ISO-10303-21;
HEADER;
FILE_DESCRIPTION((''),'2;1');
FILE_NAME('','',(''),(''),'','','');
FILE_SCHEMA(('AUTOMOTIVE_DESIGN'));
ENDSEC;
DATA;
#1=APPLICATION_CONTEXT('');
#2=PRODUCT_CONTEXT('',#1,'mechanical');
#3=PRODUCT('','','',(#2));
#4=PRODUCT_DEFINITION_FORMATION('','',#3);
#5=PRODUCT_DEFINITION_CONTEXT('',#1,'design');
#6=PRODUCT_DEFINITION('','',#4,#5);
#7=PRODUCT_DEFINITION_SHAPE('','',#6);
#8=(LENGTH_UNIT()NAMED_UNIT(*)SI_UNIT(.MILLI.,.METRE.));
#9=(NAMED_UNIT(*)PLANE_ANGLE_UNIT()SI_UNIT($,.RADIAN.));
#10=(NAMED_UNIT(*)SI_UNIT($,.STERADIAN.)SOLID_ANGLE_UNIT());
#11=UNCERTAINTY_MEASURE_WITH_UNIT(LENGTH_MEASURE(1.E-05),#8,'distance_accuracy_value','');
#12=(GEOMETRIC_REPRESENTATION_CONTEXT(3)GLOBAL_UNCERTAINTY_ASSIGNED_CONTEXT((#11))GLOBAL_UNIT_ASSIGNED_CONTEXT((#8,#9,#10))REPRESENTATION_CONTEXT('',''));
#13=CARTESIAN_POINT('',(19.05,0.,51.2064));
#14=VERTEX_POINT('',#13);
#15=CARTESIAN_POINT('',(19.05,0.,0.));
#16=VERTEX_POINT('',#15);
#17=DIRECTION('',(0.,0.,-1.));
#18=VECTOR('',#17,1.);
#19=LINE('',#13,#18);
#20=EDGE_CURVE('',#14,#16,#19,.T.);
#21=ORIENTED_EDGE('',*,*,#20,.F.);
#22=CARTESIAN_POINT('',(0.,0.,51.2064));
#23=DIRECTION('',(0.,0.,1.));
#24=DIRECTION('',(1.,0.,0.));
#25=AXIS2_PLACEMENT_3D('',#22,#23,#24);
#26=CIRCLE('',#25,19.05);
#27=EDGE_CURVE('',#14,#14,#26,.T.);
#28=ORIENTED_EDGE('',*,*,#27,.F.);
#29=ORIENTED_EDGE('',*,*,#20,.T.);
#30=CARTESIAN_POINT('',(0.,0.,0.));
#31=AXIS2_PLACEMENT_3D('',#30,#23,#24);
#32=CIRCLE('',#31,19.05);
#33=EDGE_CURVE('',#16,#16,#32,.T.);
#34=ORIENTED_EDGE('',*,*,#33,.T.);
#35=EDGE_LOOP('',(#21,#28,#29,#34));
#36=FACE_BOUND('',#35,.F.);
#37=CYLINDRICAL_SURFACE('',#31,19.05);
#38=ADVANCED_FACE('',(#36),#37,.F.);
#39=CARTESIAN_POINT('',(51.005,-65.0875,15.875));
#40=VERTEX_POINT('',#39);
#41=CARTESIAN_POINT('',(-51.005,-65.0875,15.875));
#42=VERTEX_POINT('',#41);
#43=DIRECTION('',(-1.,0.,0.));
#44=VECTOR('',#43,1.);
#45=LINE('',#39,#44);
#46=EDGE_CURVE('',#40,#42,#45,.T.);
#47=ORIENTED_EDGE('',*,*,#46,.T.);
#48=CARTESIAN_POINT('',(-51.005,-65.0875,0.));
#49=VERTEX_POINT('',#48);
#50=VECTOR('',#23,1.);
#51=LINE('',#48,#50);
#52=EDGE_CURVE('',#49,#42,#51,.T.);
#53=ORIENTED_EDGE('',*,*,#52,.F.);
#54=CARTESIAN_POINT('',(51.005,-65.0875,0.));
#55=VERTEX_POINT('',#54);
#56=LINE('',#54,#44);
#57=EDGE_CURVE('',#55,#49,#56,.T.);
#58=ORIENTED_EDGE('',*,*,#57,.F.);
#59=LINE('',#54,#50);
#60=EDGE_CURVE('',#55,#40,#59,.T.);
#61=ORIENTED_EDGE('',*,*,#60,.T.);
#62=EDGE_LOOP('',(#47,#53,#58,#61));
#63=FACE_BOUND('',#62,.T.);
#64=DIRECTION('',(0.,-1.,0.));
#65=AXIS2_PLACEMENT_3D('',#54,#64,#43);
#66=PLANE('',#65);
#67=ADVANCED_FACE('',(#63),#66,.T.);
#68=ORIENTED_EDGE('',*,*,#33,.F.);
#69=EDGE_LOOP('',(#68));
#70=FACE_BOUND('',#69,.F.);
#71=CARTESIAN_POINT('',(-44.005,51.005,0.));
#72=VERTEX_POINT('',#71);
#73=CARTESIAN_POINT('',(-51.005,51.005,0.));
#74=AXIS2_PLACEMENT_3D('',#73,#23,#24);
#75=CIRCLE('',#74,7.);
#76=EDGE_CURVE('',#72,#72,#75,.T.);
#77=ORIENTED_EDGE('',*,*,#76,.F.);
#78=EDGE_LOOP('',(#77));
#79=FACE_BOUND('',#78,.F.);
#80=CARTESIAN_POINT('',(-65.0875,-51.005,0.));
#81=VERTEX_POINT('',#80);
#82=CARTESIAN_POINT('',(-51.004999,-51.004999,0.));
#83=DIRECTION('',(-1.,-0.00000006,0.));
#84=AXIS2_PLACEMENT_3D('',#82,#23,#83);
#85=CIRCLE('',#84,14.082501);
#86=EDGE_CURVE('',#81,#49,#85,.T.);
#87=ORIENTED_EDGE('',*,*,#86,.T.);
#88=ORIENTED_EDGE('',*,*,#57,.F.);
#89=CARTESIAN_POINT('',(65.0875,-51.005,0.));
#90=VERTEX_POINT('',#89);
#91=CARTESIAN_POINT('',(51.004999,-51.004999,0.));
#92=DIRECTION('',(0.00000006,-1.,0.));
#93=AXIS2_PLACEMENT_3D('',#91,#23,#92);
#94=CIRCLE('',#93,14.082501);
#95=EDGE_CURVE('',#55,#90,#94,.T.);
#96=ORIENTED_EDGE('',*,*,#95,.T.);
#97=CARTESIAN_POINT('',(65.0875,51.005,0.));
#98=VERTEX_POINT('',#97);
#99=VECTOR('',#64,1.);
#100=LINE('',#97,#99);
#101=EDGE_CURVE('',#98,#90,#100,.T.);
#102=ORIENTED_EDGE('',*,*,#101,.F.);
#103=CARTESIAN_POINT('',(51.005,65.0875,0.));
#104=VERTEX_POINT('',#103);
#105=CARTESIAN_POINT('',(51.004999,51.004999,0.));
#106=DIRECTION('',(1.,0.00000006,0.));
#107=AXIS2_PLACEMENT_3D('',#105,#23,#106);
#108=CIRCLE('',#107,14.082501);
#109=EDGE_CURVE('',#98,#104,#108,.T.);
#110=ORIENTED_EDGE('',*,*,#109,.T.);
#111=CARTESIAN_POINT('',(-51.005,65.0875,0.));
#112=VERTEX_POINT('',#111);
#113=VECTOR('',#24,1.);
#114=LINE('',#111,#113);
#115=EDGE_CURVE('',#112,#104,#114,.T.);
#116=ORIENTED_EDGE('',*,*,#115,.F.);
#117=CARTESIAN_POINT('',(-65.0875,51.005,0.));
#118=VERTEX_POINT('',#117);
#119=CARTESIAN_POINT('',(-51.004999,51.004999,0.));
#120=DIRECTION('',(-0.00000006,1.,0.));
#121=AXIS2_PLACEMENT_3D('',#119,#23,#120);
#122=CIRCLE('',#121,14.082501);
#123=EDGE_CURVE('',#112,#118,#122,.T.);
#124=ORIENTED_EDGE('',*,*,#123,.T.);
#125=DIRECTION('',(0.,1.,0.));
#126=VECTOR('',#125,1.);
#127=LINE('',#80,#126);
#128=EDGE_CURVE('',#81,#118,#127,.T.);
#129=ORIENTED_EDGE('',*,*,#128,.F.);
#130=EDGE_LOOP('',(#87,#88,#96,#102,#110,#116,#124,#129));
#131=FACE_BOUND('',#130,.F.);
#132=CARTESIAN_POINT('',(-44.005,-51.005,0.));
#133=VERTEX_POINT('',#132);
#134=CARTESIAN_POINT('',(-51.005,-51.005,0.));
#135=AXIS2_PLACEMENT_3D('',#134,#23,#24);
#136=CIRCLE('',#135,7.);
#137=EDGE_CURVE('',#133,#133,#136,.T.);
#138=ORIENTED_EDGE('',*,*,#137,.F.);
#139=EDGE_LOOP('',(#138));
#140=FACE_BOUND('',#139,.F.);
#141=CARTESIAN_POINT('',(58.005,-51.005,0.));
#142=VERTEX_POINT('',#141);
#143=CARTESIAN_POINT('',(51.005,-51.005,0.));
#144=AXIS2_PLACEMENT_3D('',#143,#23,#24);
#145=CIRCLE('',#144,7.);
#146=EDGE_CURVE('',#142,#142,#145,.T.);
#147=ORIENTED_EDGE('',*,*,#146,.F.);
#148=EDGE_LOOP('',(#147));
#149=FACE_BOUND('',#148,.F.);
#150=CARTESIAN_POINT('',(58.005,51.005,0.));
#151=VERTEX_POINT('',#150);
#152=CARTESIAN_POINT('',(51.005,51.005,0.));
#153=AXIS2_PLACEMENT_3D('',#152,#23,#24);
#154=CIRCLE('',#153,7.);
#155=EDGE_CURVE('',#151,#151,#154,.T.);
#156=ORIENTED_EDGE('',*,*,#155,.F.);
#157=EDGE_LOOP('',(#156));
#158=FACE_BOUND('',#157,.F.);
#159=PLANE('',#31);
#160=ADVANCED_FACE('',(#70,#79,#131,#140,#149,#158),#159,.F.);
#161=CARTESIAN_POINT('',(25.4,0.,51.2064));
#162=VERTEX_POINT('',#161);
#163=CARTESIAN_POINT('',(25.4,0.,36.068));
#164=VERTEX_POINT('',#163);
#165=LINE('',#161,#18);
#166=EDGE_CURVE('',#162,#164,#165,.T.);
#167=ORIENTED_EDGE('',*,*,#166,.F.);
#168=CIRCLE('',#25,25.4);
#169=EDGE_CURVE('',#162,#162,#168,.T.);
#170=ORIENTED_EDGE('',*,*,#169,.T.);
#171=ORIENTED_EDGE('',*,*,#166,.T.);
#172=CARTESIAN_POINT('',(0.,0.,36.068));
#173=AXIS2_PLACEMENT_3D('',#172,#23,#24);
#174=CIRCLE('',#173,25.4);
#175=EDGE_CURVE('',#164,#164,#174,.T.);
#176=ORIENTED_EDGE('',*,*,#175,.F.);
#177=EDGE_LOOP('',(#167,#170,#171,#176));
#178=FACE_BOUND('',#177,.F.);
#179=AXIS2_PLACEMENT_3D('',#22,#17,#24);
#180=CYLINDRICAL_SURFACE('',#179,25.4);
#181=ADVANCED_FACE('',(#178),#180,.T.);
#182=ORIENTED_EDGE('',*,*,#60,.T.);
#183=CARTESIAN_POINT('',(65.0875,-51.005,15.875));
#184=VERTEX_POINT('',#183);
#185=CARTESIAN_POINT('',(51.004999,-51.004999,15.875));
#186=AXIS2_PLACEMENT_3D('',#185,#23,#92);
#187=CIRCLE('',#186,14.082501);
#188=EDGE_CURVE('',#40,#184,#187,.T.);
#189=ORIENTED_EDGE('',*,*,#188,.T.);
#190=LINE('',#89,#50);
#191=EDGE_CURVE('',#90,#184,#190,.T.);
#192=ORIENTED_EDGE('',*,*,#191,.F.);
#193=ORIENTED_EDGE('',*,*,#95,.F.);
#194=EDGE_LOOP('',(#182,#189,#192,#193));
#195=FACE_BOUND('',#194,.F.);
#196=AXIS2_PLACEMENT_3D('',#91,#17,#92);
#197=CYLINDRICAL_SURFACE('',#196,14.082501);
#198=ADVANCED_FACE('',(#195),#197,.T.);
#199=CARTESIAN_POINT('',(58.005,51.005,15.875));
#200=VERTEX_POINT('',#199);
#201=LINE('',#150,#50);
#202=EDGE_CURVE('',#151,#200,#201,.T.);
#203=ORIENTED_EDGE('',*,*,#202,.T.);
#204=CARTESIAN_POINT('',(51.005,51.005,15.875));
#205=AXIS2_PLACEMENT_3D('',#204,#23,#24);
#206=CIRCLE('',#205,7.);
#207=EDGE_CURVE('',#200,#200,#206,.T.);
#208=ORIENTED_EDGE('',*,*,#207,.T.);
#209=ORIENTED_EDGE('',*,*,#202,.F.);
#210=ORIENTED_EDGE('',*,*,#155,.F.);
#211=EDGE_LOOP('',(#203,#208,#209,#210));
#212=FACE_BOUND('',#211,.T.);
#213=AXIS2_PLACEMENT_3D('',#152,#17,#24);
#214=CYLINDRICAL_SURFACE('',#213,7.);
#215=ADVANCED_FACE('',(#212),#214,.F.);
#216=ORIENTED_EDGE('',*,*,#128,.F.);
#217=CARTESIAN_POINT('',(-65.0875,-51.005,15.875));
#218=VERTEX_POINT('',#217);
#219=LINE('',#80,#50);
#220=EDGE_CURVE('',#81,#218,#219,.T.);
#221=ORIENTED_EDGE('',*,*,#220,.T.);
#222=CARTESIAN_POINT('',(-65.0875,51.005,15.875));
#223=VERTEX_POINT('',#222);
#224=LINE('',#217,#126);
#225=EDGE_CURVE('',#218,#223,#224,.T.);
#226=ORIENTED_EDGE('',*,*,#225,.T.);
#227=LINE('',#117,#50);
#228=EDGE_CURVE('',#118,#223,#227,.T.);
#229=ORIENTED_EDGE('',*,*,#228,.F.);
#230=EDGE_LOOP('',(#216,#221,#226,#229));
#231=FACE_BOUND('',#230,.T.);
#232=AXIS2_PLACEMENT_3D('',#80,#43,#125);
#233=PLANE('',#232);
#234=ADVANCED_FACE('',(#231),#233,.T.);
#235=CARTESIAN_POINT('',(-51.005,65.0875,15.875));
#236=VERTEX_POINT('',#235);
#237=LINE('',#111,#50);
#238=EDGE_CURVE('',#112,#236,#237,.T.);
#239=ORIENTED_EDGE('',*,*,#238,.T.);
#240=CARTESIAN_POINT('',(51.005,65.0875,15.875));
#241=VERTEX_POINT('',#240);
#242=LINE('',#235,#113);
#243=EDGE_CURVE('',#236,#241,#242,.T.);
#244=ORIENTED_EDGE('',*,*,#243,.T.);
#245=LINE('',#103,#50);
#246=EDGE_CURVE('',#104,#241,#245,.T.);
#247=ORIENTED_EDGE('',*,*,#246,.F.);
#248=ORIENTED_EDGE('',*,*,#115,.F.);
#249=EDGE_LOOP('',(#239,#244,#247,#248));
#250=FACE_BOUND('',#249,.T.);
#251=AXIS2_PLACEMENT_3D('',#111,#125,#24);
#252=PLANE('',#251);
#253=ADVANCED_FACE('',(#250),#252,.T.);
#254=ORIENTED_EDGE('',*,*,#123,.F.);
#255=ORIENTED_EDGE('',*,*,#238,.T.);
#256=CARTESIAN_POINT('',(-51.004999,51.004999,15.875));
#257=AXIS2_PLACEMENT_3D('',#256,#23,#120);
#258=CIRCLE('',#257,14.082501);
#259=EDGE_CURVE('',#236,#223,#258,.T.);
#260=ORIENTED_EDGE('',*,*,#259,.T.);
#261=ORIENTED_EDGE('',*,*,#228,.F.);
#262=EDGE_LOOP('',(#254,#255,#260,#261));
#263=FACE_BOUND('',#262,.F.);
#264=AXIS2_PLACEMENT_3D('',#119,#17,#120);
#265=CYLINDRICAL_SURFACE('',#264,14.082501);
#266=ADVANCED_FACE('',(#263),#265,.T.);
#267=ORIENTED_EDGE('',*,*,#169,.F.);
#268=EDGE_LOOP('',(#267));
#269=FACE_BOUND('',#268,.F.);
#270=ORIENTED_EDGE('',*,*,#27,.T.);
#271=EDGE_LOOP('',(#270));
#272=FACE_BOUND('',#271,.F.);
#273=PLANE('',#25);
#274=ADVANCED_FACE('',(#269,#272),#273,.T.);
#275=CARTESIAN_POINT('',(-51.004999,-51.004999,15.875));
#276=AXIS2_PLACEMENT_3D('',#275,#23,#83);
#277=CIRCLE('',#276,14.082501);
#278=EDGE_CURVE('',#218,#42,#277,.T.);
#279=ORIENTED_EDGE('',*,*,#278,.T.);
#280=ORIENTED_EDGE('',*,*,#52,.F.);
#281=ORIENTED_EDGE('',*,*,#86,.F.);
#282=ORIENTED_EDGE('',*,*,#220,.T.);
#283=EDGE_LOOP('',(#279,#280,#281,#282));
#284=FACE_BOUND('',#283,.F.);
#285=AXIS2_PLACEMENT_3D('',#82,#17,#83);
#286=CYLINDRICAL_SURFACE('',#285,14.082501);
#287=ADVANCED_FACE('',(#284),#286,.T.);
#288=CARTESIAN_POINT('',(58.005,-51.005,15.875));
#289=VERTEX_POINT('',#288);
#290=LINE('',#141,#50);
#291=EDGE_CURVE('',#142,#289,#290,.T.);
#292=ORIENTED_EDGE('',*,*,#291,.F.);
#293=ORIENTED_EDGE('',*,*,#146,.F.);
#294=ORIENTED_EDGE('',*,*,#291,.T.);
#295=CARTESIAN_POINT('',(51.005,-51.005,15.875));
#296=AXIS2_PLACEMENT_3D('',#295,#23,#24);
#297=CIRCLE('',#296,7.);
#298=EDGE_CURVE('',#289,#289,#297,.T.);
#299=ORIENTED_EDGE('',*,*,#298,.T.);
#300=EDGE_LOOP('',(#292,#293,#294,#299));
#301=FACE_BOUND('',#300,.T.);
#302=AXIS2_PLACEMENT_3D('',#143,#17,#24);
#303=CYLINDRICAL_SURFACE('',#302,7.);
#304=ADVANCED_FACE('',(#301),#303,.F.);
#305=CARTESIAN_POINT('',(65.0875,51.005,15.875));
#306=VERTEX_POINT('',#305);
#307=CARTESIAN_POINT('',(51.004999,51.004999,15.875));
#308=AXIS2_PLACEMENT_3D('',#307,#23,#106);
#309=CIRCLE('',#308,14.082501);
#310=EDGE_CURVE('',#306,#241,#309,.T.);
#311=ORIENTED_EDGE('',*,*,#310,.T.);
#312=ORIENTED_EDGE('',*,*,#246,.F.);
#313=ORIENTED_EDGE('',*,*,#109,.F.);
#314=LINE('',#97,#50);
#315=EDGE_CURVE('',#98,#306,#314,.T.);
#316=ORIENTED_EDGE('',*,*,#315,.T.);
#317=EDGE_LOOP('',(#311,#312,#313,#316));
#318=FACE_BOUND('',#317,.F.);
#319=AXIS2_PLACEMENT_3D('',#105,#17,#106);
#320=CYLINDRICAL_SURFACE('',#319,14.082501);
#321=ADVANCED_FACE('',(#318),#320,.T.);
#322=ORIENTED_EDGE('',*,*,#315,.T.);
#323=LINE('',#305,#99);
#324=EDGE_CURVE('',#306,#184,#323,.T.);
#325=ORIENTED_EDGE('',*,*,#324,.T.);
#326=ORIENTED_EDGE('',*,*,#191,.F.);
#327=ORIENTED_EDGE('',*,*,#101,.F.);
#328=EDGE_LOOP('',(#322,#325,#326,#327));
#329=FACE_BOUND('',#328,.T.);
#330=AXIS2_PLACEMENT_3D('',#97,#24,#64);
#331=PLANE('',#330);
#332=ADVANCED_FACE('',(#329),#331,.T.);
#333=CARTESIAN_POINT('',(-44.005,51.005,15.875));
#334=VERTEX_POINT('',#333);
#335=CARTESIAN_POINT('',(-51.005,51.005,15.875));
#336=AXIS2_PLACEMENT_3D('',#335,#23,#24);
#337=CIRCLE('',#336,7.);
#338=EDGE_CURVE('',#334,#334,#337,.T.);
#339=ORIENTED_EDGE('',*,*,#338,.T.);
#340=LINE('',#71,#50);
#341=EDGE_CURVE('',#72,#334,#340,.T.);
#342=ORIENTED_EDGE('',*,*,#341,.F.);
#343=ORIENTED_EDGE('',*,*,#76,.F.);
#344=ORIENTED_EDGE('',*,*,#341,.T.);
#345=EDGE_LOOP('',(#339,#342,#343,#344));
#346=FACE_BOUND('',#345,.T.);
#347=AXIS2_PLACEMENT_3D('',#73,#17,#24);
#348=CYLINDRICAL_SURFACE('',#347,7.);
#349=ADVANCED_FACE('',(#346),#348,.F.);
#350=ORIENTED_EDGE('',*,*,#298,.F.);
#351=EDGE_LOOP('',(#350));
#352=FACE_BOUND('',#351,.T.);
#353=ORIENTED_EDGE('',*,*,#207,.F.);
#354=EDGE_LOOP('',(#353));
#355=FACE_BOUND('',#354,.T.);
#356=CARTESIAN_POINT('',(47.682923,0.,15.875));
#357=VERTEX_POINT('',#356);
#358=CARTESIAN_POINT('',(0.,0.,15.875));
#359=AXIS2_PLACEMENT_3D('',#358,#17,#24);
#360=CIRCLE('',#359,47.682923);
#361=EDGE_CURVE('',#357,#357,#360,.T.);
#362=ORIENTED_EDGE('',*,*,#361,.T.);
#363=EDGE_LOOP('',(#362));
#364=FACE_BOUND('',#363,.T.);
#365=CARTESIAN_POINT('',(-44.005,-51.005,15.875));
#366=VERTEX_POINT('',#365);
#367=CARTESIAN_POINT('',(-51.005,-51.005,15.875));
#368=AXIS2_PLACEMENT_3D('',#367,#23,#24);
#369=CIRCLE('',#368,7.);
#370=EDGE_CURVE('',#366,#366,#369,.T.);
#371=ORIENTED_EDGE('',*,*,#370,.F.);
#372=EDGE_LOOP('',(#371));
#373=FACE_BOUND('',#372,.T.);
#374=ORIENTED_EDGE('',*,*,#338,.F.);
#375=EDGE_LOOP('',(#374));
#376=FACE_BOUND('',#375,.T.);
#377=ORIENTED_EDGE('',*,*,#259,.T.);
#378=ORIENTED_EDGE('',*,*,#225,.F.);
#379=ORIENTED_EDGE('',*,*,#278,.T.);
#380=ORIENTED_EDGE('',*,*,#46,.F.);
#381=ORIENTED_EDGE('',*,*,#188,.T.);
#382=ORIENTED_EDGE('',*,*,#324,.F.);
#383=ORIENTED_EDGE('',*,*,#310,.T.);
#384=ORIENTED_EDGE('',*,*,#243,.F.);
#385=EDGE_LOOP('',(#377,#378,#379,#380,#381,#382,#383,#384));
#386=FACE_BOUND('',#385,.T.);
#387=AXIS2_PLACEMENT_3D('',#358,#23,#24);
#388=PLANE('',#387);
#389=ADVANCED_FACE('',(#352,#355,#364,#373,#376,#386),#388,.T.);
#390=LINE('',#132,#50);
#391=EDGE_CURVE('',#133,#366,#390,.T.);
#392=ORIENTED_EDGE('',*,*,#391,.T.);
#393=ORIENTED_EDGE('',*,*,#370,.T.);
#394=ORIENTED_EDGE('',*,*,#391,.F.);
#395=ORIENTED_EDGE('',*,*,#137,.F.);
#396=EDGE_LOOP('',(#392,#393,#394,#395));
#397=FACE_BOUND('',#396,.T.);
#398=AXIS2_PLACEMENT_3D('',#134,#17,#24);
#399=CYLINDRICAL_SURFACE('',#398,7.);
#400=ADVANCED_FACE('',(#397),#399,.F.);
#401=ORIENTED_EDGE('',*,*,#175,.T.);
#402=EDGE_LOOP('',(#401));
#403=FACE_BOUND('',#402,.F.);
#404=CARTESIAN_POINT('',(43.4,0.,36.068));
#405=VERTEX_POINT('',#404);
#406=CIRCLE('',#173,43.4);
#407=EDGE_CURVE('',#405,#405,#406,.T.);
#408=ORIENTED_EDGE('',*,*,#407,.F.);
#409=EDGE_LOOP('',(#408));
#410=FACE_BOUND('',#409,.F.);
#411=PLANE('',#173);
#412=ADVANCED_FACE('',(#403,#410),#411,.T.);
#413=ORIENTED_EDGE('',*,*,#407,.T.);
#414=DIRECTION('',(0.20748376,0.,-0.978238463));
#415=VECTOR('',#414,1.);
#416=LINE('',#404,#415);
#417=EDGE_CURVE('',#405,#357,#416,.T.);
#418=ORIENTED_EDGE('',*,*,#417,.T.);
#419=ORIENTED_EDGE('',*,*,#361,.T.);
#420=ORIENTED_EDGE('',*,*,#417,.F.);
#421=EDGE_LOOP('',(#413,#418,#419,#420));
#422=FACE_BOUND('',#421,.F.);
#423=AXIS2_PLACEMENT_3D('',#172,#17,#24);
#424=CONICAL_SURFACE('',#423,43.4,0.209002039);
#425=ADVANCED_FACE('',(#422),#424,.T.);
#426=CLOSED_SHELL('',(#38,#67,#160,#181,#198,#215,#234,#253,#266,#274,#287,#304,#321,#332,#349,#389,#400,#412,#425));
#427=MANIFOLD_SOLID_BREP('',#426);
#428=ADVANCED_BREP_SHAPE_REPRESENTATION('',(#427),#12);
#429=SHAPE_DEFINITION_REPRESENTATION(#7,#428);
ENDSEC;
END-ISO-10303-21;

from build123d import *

# Parameters (mm, degrees)
SKETCH001_R   = 7
SKETCH001_R_2 = 19.05
PAD_DEPTH     = 15.875


with BuildPart() as part:
    # Sketch → Revolution (revolve)
    with BuildSketch(Plane.XZ):
        Polygon((19.05, 0), (19.05, 51.2064), (25.4, 51.2064), (25.4, 36.068), (43.4, 36.068), (51.05, 0), align=None)
    revolve(axis=Axis((0, 0, 0), (0, 0, 1)))

    # Sketch001 → Pad (new body)
    with BuildSketch(Plane.XY):
        with BuildLine():
            ThreePointArc((-51.005, 65.0875), (-60.962831, 60.962831), (-65.0875, 51.005))
            Line((-65.0875, -51.005), (-65.0875, 51.005))
            ThreePointArc((-65.0875, -51.005), (-60.962831, -60.962831), (-51.005, -65.0875))
            Line((51.005, -65.0875), (-51.005, -65.0875))
            ThreePointArc((51.005, -65.0875), (60.962831, -60.962831), (65.0875, -51.005))
            Line((65.0875, 51.005), (65.0875, -51.005))
            ThreePointArc((65.0875, 51.005), (60.962831, 60.962831), (51.005, 65.0875))
            Line((-51.005, 65.0875), (51.005, 65.0875))
        make_face()
        with Locations((51.005, 51.005)):
            Circle(SKETCH001_R, mode=Mode.SUBTRACT)
        with Locations((-51.005, 51.005)):
            Circle(SKETCH001_R, mode=Mode.SUBTRACT)
        with Locations((-51.005, -51.005)):
            Circle(SKETCH001_R, mode=Mode.SUBTRACT)
        with Locations((51.005, -51.005)):
            Circle(SKETCH001_R, mode=Mode.SUBTRACT)
        Circle(SKETCH001_R_2, mode=Mode.SUBTRACT)
    extrude(amount=PAD_DEPTH)


solid = part.part
